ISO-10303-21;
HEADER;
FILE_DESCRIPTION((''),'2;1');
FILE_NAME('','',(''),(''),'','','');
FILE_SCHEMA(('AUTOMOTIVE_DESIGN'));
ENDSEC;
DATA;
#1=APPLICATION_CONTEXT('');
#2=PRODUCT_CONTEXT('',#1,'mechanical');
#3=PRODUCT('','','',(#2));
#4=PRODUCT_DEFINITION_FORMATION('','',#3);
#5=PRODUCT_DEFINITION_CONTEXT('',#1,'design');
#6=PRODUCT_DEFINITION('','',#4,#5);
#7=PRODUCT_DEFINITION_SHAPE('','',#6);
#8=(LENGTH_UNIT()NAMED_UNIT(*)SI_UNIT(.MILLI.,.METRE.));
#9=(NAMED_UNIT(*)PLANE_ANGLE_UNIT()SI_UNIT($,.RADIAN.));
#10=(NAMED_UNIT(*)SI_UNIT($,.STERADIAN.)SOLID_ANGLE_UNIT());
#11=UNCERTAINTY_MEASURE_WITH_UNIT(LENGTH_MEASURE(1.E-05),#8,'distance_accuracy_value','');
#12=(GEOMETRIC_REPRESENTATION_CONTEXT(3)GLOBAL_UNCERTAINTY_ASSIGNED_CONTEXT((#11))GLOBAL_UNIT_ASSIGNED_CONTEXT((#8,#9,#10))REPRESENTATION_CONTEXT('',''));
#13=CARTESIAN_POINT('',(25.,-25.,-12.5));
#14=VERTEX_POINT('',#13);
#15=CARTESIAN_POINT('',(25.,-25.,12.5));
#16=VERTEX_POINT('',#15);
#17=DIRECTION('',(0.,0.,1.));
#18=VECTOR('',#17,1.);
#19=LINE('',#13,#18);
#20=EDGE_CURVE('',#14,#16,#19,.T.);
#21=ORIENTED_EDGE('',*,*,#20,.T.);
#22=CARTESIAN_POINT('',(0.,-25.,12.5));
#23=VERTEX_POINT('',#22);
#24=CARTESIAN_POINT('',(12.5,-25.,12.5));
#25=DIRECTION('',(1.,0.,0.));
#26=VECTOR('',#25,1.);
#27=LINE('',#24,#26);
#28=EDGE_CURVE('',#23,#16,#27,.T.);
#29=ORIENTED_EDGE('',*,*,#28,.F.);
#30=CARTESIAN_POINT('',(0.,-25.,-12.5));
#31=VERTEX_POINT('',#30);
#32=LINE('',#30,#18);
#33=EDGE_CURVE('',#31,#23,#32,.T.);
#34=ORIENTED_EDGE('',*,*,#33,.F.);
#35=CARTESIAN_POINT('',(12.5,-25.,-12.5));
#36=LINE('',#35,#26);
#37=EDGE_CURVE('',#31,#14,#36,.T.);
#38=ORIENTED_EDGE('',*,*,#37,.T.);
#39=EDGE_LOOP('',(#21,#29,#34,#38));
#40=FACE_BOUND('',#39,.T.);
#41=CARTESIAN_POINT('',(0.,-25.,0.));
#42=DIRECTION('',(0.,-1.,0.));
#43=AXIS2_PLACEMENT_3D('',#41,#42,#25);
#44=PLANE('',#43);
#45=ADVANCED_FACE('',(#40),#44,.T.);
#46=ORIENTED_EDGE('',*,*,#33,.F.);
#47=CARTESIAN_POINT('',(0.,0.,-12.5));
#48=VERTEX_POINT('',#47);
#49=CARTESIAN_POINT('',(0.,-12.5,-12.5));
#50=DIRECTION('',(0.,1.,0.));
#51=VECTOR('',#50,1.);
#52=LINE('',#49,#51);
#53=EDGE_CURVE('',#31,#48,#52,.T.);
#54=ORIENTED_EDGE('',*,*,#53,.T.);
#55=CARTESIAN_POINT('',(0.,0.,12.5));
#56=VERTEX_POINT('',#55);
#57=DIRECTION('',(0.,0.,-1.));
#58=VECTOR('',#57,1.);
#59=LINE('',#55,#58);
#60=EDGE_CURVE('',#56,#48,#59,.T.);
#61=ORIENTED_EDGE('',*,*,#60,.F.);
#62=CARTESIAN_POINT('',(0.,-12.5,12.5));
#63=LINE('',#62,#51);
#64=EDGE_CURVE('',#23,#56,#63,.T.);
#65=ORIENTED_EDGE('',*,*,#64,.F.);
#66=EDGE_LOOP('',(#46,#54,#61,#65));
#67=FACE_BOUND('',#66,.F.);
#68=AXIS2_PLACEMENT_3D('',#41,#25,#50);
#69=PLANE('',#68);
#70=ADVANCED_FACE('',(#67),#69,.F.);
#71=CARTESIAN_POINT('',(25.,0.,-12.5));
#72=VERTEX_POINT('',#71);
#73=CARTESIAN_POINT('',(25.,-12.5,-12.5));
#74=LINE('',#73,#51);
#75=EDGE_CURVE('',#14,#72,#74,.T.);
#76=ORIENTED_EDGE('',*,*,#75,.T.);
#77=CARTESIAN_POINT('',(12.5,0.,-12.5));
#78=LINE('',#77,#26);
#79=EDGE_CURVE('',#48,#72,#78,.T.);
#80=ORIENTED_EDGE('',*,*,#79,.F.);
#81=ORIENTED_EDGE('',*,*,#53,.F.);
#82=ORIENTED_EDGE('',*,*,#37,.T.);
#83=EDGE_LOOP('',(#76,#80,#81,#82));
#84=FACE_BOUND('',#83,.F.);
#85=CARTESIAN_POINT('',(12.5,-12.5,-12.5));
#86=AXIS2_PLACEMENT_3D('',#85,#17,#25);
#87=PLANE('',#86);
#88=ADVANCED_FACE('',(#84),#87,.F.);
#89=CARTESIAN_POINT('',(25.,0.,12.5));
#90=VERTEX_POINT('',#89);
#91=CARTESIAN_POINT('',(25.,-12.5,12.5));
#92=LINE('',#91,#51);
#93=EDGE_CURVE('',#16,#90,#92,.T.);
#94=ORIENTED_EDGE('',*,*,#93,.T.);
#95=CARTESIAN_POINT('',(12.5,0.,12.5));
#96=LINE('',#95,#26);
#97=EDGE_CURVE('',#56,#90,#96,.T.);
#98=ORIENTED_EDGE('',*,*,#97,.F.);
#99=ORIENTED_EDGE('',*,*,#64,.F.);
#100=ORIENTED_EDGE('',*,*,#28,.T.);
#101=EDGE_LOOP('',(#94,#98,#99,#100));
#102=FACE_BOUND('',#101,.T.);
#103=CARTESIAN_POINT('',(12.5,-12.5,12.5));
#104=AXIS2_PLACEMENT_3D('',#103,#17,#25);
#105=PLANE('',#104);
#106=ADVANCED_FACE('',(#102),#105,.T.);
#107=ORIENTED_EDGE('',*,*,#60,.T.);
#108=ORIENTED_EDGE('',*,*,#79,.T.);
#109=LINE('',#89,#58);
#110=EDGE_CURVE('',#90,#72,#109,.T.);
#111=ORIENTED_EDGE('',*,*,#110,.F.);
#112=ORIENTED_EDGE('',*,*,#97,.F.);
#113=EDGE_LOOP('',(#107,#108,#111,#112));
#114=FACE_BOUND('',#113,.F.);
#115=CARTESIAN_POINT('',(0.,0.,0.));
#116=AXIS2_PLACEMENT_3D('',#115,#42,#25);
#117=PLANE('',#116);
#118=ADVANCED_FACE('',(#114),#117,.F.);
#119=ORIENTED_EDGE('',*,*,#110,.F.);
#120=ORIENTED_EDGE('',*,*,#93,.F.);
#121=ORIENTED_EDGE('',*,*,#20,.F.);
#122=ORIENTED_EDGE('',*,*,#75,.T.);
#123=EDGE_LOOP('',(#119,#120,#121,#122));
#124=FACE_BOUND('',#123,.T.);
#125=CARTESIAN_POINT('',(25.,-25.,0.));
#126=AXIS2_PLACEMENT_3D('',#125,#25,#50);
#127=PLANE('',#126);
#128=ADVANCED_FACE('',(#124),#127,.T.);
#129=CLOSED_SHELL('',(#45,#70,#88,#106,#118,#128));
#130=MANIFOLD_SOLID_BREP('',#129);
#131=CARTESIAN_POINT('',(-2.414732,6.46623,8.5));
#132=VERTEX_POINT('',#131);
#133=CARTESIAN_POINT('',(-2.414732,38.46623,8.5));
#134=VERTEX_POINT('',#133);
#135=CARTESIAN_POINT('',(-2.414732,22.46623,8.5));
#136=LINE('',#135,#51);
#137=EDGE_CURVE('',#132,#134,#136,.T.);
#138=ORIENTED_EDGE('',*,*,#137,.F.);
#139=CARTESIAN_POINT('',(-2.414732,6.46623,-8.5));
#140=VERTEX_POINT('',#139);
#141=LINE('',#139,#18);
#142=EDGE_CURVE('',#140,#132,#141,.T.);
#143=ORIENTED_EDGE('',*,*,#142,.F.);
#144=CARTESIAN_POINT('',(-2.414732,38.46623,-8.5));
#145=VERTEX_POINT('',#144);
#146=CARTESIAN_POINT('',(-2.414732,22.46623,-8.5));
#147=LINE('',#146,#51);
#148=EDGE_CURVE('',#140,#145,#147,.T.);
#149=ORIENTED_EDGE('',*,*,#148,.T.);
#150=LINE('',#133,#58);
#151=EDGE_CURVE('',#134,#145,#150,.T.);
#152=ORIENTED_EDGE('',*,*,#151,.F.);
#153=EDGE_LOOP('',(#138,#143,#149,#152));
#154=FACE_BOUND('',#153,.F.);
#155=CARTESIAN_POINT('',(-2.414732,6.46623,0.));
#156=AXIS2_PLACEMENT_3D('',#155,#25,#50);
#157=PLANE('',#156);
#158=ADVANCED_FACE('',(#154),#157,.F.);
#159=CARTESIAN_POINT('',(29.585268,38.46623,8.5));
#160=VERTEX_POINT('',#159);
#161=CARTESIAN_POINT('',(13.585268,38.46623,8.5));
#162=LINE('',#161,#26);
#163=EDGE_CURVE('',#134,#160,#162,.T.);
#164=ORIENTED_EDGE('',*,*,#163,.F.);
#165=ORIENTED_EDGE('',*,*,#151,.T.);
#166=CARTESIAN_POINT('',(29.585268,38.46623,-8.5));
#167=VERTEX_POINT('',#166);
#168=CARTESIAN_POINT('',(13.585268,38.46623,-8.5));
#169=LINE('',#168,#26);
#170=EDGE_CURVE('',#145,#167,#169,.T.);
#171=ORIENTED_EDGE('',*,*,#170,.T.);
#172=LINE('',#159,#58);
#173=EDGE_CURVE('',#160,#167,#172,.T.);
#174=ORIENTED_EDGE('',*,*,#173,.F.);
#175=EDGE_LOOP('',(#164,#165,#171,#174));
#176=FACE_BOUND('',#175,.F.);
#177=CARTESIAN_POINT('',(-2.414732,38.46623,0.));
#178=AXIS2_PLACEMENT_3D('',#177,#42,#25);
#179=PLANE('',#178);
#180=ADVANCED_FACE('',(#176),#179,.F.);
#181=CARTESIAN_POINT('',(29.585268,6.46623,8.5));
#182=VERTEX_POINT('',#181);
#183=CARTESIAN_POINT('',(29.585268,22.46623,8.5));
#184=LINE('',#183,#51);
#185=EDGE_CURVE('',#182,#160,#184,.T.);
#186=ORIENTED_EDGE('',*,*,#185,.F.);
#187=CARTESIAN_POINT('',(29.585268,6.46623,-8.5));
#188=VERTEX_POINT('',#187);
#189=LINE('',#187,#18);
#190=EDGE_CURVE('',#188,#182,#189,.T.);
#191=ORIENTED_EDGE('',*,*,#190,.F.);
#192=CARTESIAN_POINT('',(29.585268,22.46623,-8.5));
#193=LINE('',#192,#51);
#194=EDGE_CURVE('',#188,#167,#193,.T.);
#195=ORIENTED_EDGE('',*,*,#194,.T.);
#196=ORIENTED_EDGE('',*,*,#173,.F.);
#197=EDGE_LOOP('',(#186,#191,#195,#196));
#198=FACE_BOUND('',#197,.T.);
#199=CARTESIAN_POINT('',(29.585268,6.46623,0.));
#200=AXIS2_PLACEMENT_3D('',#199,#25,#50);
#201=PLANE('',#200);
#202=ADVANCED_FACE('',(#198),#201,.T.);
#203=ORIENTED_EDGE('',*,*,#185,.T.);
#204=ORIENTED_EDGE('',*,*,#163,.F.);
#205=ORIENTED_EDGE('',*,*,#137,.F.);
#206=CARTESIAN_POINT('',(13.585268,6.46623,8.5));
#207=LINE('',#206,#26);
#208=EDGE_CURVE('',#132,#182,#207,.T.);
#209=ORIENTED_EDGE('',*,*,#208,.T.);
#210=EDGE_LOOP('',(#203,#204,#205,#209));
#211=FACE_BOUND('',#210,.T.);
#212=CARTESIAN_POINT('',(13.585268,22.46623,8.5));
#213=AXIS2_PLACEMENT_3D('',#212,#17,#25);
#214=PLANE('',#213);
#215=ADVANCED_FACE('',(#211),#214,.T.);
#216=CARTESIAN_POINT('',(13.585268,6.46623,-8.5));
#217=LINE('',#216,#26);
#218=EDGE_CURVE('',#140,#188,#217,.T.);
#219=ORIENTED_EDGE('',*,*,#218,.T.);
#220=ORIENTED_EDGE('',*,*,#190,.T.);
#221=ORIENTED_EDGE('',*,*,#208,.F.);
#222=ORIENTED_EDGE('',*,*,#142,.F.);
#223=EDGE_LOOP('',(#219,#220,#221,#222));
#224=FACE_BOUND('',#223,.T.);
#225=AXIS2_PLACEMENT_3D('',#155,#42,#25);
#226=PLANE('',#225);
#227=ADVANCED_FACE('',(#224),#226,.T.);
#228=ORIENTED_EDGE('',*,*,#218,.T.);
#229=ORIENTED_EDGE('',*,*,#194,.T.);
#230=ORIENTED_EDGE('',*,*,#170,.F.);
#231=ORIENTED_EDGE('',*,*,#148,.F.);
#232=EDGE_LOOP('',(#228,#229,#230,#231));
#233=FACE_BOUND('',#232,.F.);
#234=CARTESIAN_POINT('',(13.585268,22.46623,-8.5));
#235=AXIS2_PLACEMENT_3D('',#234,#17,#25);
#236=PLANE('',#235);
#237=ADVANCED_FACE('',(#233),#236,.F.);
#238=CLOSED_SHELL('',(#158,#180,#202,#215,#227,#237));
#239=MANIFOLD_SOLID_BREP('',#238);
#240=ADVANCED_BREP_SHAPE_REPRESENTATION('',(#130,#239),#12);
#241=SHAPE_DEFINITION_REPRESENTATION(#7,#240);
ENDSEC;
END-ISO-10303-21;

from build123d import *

# Parameters (mm, degrees)
F0_W          = 25
F0_H          = 25
F1_DEPTH      = 12.5
F1_DEPTH_BACK = 12.5
F2_W          = 32
F2_H          = 32
F3_DEPTH      = 8.5
F3_DEPTH_BACK = 8.5


with BuildPart() as f1:
    # F0 (on Top) → F1 (new body, two sides)
    with BuildSketch(Plane.XY) as f1_sk:
        with Locations((12.5, -12.5)):
            Rectangle(F0_W, F0_H)
    extrude(amount=F1_DEPTH)
    extrude(f1_sk.sketch, amount=-F1_DEPTH_BACK)


with BuildPart() as f3:
    # F2 (on Top) → F3 (new body, two sides)
    with BuildSketch(Plane.XY) as f3_sk:
        with Locations((13.585268, 22.46623)):
            Rectangle(F2_W, F2_H)
    extrude(amount=F3_DEPTH)
    extrude(f3_sk.sketch, amount=-F3_DEPTH_BACK)


solid = Compound([f1.part, f3.part])
